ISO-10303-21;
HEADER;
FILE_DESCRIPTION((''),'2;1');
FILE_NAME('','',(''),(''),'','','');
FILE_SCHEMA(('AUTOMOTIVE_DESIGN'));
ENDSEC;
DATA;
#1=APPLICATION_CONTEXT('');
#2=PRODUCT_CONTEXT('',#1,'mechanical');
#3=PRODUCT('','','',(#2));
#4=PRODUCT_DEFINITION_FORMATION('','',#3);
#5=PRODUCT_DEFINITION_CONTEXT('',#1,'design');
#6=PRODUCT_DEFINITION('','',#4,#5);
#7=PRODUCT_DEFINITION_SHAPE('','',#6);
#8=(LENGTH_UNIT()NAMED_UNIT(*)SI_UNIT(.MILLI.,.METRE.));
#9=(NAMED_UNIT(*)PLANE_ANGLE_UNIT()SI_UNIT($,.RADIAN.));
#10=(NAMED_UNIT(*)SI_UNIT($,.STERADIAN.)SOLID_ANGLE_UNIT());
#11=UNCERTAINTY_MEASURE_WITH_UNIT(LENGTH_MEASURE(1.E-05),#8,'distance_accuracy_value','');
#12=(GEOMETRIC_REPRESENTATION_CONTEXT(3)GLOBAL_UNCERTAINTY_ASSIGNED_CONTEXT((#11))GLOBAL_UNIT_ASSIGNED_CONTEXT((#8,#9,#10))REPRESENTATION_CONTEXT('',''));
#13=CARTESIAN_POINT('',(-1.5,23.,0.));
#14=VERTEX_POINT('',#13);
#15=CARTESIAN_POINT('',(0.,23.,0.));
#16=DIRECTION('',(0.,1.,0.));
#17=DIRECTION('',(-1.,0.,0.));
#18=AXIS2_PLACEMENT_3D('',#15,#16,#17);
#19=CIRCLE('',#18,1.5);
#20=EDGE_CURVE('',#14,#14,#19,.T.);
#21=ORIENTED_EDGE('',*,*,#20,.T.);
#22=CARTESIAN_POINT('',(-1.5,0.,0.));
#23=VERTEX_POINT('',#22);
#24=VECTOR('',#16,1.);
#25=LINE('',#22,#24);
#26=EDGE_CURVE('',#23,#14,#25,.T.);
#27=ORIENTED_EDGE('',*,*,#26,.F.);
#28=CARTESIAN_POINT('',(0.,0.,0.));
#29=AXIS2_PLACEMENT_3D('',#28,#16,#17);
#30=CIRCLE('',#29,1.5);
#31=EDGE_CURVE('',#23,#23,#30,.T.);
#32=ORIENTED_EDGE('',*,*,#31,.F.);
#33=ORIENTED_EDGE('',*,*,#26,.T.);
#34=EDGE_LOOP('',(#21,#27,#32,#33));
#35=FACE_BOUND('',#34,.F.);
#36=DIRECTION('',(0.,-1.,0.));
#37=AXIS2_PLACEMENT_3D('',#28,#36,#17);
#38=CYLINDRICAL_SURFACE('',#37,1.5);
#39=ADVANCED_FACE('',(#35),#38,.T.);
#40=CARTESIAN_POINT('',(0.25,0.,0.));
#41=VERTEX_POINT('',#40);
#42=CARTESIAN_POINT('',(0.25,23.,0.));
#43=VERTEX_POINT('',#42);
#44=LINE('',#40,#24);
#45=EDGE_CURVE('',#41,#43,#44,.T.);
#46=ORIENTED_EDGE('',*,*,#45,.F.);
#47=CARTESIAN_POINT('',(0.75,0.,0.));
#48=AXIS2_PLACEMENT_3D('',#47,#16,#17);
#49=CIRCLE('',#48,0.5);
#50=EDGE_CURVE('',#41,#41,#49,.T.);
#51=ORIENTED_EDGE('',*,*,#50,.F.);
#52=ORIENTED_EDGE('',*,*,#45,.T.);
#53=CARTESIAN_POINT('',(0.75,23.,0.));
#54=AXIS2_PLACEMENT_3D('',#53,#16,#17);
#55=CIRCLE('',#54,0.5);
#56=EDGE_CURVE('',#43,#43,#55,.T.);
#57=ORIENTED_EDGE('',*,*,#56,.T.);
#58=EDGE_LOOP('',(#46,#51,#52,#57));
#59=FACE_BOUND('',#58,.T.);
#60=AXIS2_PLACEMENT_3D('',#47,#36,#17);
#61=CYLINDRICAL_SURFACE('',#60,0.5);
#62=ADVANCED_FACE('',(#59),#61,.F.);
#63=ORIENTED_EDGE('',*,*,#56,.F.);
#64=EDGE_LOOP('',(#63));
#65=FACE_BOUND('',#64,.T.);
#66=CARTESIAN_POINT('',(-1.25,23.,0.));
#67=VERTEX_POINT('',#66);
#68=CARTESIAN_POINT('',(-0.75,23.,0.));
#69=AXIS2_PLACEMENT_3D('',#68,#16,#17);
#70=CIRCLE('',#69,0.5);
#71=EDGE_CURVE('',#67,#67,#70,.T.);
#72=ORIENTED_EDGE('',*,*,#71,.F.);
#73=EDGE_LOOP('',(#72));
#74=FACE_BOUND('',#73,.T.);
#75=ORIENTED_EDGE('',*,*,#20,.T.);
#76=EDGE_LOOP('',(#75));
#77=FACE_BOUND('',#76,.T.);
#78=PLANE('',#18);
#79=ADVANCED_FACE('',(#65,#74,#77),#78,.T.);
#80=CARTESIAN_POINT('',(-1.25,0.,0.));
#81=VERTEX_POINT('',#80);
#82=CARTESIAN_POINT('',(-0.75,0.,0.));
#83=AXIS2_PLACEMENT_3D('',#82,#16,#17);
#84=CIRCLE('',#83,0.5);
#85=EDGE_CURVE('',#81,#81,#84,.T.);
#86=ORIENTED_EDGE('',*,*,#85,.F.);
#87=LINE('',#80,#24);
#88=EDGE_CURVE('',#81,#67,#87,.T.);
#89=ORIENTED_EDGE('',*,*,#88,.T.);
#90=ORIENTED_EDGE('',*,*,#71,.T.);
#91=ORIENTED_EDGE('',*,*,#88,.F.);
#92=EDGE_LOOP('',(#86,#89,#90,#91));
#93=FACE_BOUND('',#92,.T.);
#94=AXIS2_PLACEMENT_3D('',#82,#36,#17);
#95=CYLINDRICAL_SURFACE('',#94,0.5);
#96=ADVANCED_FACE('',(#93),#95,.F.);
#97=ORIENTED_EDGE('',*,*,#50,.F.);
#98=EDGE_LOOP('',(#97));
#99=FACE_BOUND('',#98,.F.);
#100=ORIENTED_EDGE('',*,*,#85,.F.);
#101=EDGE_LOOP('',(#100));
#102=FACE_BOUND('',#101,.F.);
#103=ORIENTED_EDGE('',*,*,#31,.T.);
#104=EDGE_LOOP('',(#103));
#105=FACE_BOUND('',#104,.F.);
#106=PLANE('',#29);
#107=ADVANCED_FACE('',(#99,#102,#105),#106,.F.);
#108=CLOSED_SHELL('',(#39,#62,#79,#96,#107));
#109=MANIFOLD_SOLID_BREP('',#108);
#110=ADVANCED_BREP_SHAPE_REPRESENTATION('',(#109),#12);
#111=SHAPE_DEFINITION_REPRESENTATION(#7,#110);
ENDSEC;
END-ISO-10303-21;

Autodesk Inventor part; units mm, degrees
ref_plane "YZ Plane" through (0, 0, 0) normal (1, 0, 0) x (0, 1, 0)
ref_plane "XZ Plane" through (0, 0, 0) normal (0, 1, 0) x (-1, 0, 0)
ref_plane "XY Plane" through (0, 0, 0) normal (0, 0, 1) x (1, 0, 0)
sketch "スケッチ2" plane through (0, 0, 0) normal (0, 1, 0) x (-1, 0, 0)
  circle A0 centre (0, 0) radius 1.5
  circle A1 centre (0.75, 0) radius 0.5
  circle A2 centre (-0.75, 0) radius 0.5
  line L0 (0, 0) -> (0, -2.3561) construction
  dimension "d7" = 3
  dimension "d8" = 1
  dimension "d9" = 1
  dimension "d11" = 1.5
extrude "押し出し2" add sketch "スケッチ2" along normal blind 23
properties part number "ceramic_2-hole-spacer_d3"
